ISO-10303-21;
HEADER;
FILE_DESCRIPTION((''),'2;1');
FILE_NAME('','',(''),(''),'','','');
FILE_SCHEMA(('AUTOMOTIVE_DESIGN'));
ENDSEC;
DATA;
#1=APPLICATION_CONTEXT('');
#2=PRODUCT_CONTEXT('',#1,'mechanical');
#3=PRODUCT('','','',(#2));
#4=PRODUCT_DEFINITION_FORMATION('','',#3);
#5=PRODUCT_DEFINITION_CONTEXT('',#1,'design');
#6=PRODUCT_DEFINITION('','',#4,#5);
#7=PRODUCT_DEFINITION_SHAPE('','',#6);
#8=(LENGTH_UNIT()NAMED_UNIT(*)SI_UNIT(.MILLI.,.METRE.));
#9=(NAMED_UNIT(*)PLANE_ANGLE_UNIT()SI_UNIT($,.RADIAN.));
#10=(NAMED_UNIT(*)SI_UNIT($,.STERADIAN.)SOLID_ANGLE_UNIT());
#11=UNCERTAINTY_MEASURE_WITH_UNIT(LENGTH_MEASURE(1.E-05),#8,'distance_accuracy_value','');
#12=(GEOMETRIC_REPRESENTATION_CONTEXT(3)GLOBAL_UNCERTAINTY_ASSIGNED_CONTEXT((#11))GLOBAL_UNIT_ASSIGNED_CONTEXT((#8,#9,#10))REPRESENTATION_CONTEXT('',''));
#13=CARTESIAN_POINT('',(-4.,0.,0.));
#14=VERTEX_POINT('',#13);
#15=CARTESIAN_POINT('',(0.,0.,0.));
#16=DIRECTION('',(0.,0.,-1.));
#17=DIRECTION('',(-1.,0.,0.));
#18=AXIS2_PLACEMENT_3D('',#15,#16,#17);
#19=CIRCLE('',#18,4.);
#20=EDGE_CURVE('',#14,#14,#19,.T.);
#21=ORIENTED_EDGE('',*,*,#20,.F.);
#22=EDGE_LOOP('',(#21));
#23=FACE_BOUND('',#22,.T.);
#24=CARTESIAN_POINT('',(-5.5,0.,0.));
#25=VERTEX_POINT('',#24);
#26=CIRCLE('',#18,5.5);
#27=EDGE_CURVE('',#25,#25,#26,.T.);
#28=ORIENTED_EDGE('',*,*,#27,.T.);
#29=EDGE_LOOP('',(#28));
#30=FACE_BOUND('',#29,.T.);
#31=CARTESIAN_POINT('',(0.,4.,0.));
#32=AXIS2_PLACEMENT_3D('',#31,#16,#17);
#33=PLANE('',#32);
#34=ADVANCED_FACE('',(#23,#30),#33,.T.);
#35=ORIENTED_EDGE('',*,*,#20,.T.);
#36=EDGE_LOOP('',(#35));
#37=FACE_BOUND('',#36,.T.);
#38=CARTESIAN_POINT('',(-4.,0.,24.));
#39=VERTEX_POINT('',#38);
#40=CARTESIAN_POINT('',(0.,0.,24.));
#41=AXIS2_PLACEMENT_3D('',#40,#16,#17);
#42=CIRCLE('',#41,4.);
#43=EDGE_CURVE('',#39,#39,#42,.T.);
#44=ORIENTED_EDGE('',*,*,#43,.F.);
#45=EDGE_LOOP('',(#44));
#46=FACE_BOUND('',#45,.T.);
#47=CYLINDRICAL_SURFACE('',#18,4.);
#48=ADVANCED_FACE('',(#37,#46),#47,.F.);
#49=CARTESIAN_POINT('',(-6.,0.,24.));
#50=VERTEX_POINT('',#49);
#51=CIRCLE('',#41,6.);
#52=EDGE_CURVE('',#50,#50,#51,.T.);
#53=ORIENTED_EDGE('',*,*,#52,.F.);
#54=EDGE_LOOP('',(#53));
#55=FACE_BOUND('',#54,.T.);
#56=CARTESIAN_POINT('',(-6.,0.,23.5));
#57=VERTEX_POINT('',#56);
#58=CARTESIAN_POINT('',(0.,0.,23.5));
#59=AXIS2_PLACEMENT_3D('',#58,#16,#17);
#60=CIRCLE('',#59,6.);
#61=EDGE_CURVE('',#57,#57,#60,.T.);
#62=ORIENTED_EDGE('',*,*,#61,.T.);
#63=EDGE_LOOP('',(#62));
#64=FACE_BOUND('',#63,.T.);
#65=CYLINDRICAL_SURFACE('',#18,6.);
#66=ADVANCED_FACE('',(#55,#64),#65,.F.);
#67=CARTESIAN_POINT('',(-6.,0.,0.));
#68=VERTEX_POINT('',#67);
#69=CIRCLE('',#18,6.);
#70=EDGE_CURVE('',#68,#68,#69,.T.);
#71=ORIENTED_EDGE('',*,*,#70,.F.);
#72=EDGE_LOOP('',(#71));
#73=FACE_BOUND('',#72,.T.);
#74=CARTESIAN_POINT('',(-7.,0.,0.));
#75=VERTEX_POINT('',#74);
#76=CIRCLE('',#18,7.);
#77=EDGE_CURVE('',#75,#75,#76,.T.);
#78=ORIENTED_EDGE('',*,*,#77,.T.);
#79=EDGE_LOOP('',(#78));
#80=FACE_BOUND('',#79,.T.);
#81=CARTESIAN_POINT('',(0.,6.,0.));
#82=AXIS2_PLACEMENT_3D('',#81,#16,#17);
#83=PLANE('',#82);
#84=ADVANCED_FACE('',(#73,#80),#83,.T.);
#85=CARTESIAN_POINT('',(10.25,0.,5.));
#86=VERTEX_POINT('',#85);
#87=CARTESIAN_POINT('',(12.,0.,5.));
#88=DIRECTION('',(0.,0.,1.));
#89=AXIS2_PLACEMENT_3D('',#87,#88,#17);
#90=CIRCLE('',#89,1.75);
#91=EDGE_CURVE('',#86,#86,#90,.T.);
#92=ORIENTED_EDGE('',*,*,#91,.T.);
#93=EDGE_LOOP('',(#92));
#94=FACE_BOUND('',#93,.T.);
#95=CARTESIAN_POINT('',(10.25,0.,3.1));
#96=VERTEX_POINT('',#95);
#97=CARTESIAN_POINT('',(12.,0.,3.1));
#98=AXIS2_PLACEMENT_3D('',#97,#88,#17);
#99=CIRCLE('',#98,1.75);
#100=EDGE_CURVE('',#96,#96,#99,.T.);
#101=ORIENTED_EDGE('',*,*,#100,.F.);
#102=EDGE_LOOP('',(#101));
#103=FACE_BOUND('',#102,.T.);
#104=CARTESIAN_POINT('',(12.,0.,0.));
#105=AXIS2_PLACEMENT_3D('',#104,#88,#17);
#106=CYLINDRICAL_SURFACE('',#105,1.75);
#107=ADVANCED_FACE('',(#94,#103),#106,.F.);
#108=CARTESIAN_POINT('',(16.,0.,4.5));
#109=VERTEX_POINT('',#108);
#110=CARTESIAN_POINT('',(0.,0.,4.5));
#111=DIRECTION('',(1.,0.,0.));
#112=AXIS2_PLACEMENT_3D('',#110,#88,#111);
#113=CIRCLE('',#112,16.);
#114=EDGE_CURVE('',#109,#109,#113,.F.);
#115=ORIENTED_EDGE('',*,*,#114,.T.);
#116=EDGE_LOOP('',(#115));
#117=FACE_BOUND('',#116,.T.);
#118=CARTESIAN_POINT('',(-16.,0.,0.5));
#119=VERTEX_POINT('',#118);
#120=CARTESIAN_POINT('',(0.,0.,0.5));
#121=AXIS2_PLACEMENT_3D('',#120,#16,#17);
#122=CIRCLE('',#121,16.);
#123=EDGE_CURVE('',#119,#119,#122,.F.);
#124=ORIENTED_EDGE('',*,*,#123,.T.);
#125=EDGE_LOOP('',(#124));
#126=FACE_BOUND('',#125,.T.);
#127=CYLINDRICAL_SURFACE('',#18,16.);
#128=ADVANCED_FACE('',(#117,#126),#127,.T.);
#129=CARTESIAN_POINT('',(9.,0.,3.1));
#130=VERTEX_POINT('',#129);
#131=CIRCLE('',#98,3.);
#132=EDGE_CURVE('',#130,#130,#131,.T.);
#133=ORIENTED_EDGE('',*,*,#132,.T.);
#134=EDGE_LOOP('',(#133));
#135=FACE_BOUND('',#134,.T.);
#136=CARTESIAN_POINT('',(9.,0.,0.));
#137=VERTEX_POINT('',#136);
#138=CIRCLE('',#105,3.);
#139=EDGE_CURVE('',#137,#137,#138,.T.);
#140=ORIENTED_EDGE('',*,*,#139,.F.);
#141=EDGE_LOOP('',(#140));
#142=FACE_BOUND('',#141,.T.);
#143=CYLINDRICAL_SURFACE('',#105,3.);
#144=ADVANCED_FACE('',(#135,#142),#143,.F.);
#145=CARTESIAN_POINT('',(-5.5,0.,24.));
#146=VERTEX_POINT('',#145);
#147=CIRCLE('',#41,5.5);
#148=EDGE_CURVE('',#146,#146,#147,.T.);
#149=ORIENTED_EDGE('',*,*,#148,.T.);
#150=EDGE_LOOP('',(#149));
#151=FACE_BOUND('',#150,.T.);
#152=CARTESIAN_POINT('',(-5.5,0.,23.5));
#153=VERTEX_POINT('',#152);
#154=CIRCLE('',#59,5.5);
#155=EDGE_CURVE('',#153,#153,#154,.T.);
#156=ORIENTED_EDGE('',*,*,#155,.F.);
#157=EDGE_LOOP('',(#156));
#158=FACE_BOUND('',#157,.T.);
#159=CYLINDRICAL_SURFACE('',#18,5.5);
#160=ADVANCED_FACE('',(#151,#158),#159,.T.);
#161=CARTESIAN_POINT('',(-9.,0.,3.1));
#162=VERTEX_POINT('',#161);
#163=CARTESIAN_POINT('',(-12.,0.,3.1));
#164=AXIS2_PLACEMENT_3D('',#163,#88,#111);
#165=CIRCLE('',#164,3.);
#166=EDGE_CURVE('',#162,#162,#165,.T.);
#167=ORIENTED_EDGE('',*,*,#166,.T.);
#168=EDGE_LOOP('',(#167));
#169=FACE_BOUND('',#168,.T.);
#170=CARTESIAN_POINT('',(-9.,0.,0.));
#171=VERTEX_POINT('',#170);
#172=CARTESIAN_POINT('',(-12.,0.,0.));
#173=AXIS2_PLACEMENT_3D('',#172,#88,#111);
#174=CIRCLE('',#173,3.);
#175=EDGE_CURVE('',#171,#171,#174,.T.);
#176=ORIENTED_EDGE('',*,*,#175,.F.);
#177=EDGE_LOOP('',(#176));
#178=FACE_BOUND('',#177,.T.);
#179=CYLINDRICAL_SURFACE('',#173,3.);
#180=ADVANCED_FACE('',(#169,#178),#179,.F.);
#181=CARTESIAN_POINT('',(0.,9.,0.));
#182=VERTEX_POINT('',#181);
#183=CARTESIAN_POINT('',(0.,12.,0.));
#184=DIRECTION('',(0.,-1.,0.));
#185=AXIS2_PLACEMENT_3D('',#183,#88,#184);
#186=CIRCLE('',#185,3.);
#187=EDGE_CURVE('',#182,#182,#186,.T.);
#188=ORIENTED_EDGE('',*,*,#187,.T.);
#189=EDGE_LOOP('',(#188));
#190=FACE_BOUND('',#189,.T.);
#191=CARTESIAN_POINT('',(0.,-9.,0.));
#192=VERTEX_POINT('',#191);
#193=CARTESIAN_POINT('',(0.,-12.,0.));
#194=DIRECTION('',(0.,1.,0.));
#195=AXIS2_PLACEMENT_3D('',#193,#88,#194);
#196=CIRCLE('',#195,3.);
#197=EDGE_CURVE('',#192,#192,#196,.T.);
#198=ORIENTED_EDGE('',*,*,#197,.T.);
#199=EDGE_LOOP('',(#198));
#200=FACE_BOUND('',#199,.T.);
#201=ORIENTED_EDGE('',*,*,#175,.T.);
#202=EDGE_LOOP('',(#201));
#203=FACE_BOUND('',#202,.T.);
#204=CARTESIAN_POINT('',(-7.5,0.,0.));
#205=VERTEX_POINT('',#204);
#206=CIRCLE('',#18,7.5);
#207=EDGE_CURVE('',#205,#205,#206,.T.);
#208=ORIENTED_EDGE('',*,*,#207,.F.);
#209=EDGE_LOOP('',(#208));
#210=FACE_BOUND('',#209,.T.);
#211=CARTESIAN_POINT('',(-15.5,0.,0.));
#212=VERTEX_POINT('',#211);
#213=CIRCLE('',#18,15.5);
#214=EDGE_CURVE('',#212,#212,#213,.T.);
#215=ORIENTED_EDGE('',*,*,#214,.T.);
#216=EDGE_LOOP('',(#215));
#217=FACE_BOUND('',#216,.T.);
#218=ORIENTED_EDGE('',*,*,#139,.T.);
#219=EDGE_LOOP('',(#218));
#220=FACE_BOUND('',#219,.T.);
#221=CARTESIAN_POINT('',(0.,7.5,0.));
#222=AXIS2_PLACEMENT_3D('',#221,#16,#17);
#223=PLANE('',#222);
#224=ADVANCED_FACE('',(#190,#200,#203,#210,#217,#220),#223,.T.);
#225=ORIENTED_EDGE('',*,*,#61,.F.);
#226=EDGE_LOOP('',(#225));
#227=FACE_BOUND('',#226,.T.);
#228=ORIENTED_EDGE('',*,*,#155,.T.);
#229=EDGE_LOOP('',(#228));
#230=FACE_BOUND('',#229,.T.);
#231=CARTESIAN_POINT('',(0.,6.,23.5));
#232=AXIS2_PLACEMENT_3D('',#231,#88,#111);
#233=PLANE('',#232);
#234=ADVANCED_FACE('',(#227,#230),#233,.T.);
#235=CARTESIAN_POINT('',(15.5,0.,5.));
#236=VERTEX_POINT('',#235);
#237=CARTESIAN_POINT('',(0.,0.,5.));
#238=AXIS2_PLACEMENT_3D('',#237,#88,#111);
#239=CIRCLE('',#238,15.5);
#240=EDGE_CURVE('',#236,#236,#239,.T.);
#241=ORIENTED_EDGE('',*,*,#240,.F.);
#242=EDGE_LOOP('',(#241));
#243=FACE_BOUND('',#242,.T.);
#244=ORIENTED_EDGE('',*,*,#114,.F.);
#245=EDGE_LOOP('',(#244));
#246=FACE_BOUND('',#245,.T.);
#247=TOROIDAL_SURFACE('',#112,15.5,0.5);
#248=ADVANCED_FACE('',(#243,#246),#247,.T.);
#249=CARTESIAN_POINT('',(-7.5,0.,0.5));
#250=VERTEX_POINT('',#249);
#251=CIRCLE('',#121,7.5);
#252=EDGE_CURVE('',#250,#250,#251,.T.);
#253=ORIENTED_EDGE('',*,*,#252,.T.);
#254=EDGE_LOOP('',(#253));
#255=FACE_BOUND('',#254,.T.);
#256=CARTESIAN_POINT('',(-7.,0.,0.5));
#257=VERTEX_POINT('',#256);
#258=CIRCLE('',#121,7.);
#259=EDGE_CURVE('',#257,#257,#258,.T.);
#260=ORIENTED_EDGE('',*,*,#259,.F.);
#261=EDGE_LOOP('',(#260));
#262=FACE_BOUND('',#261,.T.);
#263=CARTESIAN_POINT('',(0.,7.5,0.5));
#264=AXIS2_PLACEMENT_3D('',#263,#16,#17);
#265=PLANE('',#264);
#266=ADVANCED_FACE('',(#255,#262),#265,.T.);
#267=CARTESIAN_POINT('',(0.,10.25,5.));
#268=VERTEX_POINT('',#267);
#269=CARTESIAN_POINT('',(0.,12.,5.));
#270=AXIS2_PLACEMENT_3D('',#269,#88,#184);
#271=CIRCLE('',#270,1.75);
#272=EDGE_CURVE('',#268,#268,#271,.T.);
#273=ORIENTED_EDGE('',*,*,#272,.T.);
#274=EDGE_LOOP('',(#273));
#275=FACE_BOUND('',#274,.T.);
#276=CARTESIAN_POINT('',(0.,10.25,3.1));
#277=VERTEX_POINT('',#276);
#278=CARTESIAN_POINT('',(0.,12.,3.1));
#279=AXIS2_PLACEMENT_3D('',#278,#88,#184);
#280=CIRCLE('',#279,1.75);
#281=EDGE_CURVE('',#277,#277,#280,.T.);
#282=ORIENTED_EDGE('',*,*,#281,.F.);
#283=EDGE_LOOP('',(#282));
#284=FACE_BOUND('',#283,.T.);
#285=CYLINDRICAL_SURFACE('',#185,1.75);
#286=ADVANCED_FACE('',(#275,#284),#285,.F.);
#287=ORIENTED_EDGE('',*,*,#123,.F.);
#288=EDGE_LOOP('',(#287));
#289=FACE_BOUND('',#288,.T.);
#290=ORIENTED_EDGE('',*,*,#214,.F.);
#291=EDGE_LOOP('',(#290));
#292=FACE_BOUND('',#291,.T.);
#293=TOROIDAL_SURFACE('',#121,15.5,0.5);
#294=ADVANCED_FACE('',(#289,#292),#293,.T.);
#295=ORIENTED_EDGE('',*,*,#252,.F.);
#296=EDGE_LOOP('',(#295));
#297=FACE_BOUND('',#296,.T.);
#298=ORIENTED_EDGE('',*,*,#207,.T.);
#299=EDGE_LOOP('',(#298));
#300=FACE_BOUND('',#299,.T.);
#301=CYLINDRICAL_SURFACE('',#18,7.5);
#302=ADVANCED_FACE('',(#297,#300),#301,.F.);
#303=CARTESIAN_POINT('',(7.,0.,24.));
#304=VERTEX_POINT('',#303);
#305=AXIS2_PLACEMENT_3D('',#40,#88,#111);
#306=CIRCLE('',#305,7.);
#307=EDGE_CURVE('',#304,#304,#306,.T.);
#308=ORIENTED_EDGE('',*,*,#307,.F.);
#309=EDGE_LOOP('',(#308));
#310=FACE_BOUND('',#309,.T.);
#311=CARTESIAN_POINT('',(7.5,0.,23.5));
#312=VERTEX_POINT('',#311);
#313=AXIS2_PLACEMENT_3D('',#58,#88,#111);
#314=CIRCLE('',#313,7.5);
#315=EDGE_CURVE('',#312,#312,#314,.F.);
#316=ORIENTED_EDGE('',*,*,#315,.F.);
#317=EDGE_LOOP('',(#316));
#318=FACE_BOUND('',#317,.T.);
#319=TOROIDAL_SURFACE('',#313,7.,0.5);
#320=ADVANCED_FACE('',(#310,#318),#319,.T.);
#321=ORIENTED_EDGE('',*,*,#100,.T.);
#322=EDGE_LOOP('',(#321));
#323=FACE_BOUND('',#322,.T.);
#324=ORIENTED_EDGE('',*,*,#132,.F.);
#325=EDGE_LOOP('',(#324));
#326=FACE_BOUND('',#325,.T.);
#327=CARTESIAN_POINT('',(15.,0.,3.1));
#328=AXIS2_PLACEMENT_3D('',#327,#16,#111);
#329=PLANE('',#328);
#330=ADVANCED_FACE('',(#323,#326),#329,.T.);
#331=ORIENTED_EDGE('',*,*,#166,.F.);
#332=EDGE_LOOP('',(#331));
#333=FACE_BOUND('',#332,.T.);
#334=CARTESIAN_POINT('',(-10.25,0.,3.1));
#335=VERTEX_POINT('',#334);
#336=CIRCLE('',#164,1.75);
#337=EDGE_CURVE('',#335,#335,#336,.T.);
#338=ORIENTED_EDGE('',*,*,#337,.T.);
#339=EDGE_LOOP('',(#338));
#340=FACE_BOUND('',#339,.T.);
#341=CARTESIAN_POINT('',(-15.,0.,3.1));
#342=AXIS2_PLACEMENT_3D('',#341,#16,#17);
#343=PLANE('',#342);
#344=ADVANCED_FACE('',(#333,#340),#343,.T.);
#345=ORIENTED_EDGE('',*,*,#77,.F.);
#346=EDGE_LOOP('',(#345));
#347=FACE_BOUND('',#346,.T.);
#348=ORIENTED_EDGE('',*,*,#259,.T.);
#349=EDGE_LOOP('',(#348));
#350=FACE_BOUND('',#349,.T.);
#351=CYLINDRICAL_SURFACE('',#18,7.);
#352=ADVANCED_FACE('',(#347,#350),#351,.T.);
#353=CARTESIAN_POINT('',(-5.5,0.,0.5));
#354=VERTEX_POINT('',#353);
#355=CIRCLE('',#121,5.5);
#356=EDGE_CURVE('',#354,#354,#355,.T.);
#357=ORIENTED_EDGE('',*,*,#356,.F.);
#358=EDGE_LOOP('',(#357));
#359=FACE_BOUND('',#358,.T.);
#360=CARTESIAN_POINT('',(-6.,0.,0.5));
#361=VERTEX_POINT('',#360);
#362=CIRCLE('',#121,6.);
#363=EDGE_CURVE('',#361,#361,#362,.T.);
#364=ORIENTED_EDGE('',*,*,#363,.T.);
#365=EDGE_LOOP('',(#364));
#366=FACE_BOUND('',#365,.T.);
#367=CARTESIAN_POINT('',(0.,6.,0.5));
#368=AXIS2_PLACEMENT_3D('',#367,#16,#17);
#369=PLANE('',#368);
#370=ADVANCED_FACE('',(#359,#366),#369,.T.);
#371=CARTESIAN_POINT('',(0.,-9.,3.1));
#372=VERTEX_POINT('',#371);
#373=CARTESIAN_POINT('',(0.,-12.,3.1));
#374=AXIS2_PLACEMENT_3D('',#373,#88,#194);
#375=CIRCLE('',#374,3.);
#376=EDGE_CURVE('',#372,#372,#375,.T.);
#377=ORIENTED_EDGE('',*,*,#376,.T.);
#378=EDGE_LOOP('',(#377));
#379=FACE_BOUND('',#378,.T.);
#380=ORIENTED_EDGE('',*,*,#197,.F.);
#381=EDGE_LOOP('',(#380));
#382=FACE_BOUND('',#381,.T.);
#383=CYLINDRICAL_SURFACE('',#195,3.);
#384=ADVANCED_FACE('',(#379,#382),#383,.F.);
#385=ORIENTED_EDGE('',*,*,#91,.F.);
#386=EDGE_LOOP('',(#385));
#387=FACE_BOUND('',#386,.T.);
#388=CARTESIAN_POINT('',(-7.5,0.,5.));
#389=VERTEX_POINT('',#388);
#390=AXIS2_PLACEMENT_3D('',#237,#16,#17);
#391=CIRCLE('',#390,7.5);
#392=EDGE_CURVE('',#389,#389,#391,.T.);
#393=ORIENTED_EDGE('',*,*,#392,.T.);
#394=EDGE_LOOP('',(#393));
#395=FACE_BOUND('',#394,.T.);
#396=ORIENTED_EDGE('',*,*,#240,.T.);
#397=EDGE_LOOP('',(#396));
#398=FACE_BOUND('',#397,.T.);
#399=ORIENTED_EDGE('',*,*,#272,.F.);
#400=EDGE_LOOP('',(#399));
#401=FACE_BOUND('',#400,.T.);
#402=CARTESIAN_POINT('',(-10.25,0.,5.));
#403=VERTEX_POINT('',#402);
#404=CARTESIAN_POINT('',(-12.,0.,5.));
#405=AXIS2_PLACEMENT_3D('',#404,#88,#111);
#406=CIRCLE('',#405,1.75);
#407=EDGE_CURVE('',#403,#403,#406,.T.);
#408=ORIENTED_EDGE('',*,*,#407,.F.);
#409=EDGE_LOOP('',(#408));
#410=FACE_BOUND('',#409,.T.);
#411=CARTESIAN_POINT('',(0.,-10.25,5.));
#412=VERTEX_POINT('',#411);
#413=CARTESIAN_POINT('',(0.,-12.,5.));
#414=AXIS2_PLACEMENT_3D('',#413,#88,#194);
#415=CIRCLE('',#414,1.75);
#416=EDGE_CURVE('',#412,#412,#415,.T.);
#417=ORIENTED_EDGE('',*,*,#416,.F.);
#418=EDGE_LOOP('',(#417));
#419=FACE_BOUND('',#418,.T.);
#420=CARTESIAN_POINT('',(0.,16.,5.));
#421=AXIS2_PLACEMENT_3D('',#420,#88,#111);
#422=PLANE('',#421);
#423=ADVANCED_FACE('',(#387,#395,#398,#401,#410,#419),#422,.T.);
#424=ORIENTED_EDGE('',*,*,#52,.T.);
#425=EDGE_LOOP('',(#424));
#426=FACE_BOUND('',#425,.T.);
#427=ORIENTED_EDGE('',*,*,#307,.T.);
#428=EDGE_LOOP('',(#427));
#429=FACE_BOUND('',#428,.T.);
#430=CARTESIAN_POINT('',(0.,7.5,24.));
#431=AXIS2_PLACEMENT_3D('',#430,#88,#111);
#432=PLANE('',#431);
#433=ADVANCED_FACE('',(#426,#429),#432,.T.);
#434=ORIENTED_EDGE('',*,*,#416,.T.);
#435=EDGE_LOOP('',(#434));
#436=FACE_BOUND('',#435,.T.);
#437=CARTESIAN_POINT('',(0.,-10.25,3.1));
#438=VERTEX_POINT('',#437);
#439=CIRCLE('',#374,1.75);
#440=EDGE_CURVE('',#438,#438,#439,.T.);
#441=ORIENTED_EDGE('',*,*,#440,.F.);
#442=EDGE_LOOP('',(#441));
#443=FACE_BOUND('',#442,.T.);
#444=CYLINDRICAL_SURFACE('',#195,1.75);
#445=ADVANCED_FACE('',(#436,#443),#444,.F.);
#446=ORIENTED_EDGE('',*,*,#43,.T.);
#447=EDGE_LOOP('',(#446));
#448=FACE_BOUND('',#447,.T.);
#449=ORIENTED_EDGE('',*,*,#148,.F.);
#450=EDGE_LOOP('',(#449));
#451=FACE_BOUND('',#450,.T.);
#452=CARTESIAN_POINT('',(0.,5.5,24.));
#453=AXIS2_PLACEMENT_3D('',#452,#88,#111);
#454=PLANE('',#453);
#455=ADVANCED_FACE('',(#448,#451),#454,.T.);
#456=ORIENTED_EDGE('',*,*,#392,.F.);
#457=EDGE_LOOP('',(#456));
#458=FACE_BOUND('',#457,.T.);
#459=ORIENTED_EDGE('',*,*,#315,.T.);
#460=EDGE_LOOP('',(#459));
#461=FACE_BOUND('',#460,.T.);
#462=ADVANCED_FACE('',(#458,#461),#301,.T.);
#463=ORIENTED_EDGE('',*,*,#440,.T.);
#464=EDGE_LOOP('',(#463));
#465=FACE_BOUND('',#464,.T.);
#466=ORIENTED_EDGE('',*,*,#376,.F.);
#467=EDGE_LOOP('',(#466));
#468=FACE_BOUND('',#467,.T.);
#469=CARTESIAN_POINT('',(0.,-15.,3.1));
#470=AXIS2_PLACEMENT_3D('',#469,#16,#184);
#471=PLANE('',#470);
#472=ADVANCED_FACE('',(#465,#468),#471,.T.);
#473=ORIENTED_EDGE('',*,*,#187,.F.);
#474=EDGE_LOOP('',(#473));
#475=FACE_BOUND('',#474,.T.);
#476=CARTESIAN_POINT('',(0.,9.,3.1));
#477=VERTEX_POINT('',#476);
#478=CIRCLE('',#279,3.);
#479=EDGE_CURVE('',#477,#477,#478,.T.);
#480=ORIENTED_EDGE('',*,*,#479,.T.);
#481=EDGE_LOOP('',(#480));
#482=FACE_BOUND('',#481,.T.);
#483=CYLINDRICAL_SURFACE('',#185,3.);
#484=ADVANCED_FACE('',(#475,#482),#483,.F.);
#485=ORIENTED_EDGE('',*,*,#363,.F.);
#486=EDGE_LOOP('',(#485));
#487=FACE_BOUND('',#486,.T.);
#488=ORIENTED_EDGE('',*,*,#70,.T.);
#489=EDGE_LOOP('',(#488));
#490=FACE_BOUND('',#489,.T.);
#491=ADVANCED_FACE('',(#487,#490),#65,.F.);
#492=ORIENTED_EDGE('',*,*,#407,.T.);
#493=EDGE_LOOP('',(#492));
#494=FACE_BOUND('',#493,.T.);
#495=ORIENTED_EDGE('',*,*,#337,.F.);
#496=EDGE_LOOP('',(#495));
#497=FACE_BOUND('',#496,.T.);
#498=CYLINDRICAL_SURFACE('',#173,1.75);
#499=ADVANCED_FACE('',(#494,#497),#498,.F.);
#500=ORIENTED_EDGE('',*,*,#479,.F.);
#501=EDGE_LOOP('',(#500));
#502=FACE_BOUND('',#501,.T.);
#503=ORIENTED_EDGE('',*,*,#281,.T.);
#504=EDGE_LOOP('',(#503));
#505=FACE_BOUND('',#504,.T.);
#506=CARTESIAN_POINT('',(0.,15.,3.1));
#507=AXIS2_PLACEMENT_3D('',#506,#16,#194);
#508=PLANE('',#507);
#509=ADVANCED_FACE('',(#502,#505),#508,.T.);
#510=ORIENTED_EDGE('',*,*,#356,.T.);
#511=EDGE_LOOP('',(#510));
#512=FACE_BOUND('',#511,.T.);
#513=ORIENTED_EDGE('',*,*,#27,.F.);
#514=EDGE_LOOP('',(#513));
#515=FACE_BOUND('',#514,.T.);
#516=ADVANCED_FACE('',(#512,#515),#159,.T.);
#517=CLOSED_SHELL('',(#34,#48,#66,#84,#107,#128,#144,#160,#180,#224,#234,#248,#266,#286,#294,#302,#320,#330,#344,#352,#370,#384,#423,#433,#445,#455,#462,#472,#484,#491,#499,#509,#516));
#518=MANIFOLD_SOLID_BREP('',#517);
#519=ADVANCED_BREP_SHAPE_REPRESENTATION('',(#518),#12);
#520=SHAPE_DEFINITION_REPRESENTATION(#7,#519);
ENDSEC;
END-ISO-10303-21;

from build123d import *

# Parameters (mm, degrees)
PADR_OCIRCULAR1_COUNT = 4
FILETE1_R             = 0.5


with BuildPart() as part:
    # Esboço1 → Revolução1 (revolve)
    with BuildSketch(Plane(origin=(0, 0, 0), x_dir=(0, 0, -1), z_dir=(1, 0, 0)), mode=Mode.PRIVATE) as revolu_o1_sk:
        Polygon((0, 4), (0, 5.5), (-0.5, 5.5), (-0.5, 6), (0, 6), (0, 7), (-0.5, 7), (-0.5, 7.5), (0, 7.5), (0, 16), (-5, 16), (-5, 7.5), (-24, 7.5), (-24, 6), (-23.5, 6), (-23.5, 5.5), (-24, 5.5), (-24, 4), align=None)
    revolve(revolu_o1_sk.sketch.rotate(Axis((0, 0, 0), (0, 0, 1)), 90), axis=Axis((0, 0, 0), (0, 0, 1)))  # turned: the seam where the file's is

    # Esboço5 → Corte-Revolução1 (revolve, cut)
    with BuildSketch(Plane(origin=(0, 0, 0), x_dir=(0, 0, -1), z_dir=(1, 0, 0)), mode=Mode.PRIVATE) as corte_revolu_o1_sk:
        Polygon((0, 15), (-3.1, 15), (-3.1, 13.75), (-5, 13.75), (-5, 12), (0, 12), align=None)
    corte_revolu_o1 = revolve(corte_revolu_o1_sk.sketch.rotate(Axis((0, 12, 0), (0, 0, -1)), 180), axis=Axis((0, 12, 0), (0, 0, -1)), mode=Mode.SUBTRACT)  # turned: the seam where the file's is

    # PadrãoCircular1: Corte-Revolução1 ×4 about axis
    padr_ocircular1_axis = Axis((0, 0, 0), (0, 0, 1))
    for i in range(1, PADR_OCIRCULAR1_COUNT):
        add(corte_revolu_o1.rotate(padr_ocircular1_axis, i * 360 / PADR_OCIRCULAR1_COUNT), mode=Mode.SUBTRACT)

    # Filete1
    filete1_edges = [part.edges().sort_by_distance(p)[0] for p in [
        (7.5, 0, 24),
        (16, 0, 5),
        (16, 0, 0),
    ]]
    fillet(filete1_edges, radius=FILETE1_R)


solid = part.part
